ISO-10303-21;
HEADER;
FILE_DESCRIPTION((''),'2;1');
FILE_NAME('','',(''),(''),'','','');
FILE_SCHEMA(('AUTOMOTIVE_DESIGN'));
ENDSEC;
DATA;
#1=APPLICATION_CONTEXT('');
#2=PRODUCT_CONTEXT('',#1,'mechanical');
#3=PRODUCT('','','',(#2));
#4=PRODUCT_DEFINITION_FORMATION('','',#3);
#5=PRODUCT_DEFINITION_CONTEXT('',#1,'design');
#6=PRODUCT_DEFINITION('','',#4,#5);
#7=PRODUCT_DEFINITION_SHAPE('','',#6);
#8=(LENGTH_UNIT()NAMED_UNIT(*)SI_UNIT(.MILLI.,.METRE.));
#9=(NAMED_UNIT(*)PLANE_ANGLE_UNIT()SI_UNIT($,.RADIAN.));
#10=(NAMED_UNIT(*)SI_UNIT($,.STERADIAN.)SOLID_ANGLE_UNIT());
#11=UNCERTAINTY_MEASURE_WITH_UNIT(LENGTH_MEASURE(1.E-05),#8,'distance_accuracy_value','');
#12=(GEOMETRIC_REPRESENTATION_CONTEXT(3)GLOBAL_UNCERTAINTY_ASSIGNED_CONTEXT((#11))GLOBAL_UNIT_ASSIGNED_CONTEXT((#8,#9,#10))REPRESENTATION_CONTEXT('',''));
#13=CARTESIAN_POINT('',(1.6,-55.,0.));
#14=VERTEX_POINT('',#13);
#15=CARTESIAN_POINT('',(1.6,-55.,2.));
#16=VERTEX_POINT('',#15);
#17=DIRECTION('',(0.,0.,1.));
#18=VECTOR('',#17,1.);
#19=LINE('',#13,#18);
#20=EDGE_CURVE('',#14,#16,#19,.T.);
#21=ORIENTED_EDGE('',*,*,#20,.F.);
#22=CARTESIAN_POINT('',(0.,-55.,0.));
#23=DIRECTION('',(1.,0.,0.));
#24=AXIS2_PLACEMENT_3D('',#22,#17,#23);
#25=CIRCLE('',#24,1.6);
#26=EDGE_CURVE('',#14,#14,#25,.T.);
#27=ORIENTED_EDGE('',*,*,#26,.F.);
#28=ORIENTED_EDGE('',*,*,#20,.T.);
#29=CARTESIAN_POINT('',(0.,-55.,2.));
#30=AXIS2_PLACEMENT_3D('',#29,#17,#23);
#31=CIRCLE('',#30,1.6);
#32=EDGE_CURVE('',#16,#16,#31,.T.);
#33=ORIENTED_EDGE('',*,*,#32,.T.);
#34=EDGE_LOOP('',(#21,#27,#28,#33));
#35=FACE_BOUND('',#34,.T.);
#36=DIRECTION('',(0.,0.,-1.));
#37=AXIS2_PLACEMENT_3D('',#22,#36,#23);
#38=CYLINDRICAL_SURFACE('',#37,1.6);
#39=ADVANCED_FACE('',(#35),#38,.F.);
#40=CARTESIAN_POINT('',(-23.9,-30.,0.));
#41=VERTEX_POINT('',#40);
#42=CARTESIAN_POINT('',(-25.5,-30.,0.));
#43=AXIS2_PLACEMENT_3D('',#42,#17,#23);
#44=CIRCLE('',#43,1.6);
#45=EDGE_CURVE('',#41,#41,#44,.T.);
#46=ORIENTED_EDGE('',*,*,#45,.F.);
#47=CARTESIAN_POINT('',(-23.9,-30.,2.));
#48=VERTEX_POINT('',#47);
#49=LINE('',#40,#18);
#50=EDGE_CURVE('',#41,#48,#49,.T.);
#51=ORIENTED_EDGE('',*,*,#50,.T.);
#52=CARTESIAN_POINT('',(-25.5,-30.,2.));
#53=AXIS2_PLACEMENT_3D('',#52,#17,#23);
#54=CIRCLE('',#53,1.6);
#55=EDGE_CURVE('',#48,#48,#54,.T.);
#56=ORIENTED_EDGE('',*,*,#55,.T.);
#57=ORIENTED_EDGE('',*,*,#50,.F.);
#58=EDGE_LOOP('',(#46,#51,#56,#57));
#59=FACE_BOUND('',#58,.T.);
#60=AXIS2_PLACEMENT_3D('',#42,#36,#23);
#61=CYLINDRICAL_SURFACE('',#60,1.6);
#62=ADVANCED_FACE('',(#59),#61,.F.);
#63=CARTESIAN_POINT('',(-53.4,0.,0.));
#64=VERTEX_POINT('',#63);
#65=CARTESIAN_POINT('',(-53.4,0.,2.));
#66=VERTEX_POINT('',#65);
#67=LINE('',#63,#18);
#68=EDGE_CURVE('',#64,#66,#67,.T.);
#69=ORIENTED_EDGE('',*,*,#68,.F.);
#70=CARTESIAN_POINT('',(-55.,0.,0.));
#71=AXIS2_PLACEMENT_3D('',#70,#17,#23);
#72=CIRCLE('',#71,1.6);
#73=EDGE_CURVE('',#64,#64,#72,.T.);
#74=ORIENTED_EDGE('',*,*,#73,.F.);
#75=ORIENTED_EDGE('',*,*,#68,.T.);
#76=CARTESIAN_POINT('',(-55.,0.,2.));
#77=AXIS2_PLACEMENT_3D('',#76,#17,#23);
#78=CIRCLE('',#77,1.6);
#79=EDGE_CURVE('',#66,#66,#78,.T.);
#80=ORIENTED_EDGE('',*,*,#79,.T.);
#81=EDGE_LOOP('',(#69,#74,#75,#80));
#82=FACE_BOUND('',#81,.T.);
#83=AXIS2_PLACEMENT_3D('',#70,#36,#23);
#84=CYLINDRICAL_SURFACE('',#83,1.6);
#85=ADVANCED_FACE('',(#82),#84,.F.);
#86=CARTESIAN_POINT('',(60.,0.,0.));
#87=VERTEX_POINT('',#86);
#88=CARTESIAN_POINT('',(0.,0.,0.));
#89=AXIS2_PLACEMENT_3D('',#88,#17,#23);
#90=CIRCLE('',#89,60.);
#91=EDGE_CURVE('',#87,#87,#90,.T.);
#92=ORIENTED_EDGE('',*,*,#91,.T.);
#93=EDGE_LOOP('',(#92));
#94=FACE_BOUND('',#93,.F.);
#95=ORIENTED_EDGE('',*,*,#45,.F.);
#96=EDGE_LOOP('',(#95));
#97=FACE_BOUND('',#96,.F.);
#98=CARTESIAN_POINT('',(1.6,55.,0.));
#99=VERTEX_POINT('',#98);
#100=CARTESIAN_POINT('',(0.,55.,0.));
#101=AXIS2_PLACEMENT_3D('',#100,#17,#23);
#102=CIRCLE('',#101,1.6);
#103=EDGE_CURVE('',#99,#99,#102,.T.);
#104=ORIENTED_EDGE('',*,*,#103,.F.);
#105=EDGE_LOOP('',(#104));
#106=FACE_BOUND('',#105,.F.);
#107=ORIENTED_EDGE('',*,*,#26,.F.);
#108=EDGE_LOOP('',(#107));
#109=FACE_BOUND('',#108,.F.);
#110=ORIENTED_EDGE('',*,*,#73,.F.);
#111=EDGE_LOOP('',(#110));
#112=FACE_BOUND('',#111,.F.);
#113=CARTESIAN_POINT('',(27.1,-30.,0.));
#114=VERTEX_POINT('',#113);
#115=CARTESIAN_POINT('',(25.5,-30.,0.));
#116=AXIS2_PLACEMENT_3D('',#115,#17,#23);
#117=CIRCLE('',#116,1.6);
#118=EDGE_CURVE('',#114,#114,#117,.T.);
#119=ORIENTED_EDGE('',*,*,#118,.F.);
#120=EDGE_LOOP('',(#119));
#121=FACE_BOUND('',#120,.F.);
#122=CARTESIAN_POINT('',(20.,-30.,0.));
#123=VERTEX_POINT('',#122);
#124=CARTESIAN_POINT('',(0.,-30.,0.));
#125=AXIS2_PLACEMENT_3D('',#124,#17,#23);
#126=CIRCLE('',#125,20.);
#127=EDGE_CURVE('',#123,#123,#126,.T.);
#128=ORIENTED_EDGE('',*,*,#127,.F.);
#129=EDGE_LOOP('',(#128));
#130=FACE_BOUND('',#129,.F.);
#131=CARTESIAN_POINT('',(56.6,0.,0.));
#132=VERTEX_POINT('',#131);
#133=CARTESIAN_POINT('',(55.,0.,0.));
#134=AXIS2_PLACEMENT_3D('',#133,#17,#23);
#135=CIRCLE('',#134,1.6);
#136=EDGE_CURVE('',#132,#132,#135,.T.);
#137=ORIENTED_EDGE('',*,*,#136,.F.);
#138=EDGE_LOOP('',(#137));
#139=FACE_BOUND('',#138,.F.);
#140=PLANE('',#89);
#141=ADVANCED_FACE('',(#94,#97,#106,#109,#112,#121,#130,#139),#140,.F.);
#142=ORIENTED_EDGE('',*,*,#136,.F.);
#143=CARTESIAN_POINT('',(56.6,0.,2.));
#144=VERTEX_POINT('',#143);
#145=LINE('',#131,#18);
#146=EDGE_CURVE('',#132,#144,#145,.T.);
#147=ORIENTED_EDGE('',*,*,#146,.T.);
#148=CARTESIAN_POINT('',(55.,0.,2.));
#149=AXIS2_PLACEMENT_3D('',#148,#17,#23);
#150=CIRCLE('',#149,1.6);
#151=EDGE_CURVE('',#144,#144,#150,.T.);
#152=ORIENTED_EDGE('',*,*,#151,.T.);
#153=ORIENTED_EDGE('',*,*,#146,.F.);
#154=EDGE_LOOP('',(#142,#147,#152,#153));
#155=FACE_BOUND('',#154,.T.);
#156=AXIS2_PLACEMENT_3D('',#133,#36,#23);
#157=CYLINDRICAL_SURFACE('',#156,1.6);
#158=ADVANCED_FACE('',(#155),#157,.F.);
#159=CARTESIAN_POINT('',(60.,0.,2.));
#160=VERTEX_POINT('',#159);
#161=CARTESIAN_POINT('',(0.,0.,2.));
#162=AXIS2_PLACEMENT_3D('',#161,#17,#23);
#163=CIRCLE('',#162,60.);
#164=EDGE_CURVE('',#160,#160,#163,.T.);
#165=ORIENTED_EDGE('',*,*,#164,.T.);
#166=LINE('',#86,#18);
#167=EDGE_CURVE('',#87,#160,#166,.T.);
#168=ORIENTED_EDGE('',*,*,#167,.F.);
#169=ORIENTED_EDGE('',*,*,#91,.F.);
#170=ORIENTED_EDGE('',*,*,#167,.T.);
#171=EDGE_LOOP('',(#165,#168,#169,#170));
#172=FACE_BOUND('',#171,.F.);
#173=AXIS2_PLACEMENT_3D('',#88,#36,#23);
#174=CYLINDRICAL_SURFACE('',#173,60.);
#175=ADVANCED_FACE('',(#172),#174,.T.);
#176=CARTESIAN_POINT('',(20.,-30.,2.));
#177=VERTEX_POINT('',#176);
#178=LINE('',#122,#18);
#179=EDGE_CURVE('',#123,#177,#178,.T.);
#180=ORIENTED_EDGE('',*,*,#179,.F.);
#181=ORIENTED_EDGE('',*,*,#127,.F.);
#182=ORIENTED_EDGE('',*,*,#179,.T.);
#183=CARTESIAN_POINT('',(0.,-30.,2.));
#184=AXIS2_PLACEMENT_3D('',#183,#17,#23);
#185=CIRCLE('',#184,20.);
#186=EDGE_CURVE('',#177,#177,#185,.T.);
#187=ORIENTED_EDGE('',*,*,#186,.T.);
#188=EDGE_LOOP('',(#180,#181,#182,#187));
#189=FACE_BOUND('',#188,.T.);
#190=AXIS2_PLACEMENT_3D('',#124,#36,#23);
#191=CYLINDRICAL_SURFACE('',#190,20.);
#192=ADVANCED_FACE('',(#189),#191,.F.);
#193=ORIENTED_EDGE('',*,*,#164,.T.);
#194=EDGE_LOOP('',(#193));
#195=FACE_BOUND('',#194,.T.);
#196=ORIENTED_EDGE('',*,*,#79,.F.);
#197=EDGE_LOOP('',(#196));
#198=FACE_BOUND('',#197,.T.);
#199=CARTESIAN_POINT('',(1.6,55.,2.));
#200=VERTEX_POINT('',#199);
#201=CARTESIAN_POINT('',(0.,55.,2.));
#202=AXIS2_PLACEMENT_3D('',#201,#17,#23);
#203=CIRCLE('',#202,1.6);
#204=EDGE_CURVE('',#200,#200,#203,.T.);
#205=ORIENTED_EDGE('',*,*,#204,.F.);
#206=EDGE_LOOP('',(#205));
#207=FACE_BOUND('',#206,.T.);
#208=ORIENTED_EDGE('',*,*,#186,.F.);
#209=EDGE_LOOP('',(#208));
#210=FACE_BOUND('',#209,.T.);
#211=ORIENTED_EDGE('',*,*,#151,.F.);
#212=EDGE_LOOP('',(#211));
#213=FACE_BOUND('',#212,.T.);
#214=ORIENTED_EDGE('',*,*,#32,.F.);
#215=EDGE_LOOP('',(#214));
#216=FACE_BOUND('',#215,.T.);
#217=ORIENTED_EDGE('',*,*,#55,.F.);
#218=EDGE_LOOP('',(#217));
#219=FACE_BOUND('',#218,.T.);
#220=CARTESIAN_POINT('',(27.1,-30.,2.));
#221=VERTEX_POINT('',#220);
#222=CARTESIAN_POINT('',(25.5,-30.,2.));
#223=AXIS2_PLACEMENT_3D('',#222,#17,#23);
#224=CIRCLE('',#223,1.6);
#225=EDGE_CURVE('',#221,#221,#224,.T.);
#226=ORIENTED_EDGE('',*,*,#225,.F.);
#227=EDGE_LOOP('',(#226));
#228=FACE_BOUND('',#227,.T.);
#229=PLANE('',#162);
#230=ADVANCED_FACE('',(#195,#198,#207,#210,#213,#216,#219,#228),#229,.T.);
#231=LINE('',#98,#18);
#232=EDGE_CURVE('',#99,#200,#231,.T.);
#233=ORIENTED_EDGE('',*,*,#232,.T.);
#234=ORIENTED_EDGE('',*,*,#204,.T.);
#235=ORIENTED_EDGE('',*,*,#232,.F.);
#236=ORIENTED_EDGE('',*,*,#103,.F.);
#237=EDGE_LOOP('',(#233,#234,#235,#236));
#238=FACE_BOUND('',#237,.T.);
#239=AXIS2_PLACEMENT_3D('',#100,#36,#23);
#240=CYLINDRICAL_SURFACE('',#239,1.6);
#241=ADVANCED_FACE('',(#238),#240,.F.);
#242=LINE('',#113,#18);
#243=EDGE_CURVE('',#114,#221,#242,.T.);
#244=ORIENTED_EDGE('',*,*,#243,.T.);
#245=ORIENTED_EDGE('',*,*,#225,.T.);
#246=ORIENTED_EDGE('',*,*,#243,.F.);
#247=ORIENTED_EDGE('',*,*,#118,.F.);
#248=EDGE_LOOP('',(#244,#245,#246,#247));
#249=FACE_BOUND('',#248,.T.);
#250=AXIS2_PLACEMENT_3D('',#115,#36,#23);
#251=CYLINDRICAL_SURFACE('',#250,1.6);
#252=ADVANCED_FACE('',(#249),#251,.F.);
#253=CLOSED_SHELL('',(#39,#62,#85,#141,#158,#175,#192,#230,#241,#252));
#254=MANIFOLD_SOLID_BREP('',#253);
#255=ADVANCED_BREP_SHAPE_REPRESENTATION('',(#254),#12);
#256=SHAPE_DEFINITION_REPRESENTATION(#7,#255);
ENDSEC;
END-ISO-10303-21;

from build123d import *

# Parameters (mm, degrees)
F0_R     = 60
F0_R_2   = 1.6
F0_R_3   = 20
F1_DEPTH = 2


with BuildPart() as f1:
    # F0 (on Top) → F1 (new body)
    with BuildSketch(Plane.XY):
        Circle(F0_R)
        with Locations((-25.5, -30)):
            Circle(F0_R_2, mode=Mode.SUBTRACT)
        with Locations((0, -55)):
            Circle(F0_R_2, mode=Mode.SUBTRACT)
        with Locations((0, -30)):
            Circle(F0_R_3, mode=Mode.SUBTRACT)
        with Locations((25.5, -30)):
            Circle(F0_R_2, mode=Mode.SUBTRACT)
        with Locations((-55, 0)):
            Circle(F0_R_2, mode=Mode.SUBTRACT)
        with Locations((55, 0)):
            Circle(F0_R_2, mode=Mode.SUBTRACT)
        with Locations((0, 55)):
            Circle(F0_R_2, mode=Mode.SUBTRACT)
    extrude(amount=F1_DEPTH)


solid = f1.part
